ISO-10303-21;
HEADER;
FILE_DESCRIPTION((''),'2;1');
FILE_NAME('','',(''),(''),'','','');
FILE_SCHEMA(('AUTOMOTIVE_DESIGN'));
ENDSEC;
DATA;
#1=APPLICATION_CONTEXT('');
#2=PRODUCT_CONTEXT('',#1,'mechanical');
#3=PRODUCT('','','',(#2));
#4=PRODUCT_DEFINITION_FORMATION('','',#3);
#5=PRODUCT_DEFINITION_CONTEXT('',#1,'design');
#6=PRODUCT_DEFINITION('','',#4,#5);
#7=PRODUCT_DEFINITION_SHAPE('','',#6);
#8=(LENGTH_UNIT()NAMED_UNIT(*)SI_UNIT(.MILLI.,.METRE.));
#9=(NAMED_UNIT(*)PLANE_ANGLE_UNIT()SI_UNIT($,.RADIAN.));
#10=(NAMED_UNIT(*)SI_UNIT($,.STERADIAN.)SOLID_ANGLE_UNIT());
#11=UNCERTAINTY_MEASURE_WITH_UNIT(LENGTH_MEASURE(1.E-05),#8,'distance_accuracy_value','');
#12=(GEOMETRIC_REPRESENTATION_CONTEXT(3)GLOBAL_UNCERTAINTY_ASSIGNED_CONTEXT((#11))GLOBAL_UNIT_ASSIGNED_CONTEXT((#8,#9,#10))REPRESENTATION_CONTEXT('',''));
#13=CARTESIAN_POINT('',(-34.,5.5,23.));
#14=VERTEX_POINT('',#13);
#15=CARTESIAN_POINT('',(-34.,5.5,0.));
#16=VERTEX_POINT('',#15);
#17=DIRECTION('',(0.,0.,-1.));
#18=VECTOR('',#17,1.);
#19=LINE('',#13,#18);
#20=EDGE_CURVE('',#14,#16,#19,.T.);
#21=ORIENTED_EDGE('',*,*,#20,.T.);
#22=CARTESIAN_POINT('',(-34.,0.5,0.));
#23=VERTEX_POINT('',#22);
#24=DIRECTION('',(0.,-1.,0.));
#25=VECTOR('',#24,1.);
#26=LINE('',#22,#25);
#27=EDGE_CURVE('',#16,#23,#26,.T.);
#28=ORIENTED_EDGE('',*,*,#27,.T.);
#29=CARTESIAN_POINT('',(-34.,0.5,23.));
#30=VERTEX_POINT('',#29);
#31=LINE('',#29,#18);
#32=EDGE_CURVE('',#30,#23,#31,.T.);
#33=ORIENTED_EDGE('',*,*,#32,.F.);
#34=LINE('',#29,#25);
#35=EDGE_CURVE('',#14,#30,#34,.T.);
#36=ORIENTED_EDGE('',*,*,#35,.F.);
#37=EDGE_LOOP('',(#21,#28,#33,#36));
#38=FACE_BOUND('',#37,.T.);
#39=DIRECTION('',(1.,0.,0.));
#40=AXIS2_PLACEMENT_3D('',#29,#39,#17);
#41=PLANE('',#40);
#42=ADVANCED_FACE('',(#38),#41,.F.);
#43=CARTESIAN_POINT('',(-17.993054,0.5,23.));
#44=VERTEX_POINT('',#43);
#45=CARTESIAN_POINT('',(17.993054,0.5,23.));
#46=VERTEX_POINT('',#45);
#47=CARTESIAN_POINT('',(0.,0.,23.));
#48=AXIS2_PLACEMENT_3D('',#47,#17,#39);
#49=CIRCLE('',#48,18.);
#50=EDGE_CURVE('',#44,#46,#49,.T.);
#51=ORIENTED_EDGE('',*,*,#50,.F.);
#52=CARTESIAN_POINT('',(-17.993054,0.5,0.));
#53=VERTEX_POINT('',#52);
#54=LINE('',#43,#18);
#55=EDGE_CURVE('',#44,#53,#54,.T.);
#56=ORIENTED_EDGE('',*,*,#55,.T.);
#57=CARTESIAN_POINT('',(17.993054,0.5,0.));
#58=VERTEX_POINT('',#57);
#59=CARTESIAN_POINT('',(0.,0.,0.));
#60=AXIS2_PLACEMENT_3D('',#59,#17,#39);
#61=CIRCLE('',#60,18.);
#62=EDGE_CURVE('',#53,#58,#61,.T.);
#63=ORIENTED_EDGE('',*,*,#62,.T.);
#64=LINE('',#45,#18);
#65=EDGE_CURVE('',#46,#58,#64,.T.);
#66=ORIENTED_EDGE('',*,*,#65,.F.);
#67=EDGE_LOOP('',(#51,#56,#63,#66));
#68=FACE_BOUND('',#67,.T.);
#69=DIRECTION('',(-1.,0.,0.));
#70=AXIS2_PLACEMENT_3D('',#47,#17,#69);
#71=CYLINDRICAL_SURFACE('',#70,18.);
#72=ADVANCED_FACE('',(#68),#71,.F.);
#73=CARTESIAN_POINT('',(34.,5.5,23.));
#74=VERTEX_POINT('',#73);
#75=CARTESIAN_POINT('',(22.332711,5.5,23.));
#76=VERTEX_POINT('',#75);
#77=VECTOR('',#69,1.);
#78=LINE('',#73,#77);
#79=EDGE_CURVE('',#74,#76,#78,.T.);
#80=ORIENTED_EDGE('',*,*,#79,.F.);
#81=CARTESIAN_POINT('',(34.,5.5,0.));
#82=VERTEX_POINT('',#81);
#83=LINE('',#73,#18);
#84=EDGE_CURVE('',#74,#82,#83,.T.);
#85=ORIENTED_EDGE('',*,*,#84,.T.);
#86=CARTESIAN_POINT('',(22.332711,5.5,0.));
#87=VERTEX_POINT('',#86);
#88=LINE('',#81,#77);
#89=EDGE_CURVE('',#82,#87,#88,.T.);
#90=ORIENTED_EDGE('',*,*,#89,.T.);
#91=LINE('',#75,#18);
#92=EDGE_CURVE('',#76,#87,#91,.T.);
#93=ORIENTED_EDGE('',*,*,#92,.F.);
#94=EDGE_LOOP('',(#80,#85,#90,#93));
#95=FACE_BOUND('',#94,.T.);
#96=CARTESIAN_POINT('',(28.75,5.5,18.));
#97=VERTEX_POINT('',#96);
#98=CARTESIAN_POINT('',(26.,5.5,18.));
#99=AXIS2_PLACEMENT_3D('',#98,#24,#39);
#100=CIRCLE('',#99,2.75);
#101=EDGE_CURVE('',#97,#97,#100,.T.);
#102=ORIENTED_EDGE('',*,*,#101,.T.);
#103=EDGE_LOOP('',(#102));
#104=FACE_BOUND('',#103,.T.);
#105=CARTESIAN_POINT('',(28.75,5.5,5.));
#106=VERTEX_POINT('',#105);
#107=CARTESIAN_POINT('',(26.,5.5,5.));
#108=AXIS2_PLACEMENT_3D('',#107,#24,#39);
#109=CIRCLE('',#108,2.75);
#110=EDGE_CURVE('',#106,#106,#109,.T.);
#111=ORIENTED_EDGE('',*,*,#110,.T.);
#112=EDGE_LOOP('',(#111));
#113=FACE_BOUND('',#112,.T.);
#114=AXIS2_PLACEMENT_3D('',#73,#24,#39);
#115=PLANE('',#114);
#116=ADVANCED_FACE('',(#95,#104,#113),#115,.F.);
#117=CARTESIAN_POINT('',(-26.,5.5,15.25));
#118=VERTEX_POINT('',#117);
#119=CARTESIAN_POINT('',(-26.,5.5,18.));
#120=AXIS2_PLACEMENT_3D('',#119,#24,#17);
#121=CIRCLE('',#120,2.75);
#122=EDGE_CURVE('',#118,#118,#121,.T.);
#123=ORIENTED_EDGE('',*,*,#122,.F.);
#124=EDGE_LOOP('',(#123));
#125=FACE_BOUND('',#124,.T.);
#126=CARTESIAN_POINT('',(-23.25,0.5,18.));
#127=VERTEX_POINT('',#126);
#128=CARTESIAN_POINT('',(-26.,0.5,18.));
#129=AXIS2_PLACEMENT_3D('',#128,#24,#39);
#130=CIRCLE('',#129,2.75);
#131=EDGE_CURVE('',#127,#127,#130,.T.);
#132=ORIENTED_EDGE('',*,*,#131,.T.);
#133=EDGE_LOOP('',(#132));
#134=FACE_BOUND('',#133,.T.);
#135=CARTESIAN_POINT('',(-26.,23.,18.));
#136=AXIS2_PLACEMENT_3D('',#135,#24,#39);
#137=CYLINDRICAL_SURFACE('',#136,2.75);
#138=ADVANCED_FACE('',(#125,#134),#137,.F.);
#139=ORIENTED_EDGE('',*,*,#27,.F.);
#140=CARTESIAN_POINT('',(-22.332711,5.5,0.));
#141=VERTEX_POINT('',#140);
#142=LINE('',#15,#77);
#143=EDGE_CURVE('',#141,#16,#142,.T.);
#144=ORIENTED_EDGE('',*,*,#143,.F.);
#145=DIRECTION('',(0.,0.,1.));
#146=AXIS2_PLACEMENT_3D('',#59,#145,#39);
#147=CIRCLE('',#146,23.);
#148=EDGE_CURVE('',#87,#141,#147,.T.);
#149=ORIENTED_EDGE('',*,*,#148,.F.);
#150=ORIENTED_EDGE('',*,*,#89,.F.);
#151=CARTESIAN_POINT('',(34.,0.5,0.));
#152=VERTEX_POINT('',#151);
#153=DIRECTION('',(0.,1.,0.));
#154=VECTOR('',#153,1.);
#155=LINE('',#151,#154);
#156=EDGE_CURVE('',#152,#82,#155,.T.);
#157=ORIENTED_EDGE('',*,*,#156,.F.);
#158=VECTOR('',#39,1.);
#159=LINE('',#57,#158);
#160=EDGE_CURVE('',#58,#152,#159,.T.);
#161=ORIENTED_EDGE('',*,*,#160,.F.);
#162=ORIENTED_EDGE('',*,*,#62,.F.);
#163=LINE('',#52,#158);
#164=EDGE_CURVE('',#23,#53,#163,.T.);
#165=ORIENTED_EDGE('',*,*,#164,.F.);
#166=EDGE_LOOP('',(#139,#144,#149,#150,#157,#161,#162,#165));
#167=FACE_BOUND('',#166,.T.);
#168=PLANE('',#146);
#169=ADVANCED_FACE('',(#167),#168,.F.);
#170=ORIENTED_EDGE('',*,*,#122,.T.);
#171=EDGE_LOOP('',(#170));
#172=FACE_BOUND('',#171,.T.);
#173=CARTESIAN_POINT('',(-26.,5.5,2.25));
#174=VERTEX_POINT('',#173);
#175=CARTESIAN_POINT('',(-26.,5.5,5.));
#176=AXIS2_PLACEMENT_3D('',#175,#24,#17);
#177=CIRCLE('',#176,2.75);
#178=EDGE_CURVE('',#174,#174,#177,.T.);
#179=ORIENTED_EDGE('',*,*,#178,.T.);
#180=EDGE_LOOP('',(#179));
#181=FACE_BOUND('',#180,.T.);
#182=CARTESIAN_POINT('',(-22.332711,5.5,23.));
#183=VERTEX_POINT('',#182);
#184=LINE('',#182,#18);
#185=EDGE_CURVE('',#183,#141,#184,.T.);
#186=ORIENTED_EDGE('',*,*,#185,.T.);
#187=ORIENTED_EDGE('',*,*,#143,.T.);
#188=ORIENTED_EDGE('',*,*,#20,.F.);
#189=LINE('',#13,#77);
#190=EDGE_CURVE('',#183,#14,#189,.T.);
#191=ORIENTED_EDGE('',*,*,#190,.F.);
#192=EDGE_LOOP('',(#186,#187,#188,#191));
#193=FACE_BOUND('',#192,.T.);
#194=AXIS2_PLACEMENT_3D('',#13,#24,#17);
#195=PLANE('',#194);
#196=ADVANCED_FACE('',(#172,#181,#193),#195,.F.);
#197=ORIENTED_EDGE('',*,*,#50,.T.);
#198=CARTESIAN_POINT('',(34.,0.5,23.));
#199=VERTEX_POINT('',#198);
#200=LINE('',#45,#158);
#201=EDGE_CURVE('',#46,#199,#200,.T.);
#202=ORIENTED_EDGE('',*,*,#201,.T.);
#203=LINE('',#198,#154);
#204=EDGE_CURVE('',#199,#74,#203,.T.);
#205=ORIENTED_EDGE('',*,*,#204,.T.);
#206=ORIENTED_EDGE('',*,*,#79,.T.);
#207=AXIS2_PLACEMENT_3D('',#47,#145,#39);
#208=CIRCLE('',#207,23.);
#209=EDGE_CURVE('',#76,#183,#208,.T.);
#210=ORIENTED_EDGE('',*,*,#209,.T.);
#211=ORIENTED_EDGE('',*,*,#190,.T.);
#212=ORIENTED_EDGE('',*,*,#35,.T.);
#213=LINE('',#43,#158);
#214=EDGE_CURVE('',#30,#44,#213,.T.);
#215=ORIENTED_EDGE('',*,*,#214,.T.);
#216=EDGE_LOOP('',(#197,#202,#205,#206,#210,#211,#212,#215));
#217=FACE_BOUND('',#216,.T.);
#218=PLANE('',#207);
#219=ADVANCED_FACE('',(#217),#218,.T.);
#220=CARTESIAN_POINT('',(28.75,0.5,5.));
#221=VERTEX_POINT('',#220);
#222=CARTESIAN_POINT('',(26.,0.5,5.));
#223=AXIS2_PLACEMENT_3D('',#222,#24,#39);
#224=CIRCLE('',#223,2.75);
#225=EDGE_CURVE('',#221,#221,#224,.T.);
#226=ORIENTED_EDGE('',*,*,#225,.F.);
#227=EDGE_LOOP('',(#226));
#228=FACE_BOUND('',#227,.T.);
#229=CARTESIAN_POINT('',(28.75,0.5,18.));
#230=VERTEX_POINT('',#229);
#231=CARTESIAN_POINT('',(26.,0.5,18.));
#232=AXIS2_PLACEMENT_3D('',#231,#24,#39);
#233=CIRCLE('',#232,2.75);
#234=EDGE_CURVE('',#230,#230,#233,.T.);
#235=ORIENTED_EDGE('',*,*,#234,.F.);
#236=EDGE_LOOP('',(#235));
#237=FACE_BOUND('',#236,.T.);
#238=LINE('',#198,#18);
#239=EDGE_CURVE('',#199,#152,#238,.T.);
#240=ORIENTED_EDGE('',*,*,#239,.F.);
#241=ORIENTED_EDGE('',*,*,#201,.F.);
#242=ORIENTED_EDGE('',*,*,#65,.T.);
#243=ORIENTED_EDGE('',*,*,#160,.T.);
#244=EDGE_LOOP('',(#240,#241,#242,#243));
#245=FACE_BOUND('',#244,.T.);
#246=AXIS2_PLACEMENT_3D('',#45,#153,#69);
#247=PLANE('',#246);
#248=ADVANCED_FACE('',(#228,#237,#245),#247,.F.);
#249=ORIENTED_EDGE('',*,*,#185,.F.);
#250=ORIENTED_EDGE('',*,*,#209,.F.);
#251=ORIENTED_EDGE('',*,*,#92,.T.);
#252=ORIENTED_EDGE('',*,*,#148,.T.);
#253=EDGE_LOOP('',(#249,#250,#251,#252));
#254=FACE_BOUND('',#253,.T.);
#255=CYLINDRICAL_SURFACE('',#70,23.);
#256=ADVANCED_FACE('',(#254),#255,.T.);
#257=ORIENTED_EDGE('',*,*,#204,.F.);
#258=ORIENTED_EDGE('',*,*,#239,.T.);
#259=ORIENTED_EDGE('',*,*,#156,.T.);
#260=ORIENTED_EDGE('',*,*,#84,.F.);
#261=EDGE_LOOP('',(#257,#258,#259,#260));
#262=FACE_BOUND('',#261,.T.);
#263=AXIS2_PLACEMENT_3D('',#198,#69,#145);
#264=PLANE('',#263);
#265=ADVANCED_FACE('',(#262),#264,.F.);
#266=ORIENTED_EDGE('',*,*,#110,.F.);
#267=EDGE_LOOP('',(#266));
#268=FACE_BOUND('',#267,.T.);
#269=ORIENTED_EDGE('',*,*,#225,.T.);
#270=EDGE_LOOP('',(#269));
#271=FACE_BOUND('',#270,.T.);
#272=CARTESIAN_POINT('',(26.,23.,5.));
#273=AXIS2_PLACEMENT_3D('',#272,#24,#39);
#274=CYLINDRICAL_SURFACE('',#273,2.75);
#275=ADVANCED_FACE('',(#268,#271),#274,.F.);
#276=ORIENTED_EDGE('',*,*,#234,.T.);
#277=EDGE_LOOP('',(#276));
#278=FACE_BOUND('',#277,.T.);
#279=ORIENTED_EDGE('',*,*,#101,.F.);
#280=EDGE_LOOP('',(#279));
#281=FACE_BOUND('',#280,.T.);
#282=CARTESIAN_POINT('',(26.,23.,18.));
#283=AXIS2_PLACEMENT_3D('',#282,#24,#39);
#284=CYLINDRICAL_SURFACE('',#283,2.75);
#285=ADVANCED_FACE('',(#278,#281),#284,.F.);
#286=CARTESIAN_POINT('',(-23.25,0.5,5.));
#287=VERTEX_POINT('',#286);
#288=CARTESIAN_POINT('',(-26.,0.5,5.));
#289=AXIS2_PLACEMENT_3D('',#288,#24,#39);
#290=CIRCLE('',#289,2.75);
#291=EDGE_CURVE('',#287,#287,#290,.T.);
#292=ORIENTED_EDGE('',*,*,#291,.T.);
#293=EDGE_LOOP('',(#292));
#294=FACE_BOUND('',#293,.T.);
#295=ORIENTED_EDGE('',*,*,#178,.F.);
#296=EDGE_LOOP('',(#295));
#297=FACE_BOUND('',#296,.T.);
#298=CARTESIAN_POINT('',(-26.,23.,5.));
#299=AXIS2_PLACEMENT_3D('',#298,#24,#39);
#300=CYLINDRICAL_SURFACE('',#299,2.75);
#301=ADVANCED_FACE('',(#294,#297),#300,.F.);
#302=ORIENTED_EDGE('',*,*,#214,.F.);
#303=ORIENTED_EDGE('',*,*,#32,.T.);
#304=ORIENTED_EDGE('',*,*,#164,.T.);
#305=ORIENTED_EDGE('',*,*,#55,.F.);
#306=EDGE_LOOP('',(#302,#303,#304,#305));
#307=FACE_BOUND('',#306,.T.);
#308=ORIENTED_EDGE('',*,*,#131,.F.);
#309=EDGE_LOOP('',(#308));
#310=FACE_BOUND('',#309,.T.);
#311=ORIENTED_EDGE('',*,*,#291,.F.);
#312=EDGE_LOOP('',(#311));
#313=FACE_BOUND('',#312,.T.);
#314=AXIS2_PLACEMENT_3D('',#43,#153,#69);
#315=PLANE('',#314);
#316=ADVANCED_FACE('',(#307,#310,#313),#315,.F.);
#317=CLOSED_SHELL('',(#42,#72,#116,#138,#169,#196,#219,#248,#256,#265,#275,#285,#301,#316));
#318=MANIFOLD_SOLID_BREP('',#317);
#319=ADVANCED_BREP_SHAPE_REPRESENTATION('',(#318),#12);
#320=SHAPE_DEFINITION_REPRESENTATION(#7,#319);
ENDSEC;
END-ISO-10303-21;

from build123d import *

# Parameters (mm, degrees)
BOSS_EXTRUDE1_DEPTH = 23
SKETCH2_R           = 2.75
CUT_EXTRUDE1_DEPTH  = 47.810789355


with BuildPart() as part:
    # Sketch1 → Boss-Extrude1 (new body)
    with BuildSketch(Plane.XY):
        with BuildLine():
            Line((-17.993054215, 0.5), (-34, 0.5))
            Line((-34, 0.5), (-34, 5.5))
            Line((-34, 5.5), (-22.332711434, 5.5))
            ThreePointArc((-22.332711434, 5.5), (0, 23), (22.332711434, 5.5))
            Line((22.332711434, 5.5), (34, 5.5))
            Line((34, 5.5), (34, 0.5))
            Line((34, 0.5), (17.993054215, 0.5))
            ThreePointArc((17.993054215, 0.5), (0, 18), (-17.993054215, 0.5))
        make_face()
    extrude(amount=BOSS_EXTRUDE1_DEPTH)

    # Sketch2 → Cut-Extrude1 (cut, through all)
    with BuildSketch(Plane.XZ.offset(-0.5)):
        with Locations((-26, 18)):
            Circle(SKETCH2_R)
        with Locations((-26, 5)):
            Circle(SKETCH2_R)
        with Locations((26, 5)):
            Circle(SKETCH2_R)
        with Locations((26, 18)):
            Circle(SKETCH2_R)
    extrude(amount=-CUT_EXTRUDE1_DEPTH, mode=Mode.SUBTRACT)


solid = part.part
